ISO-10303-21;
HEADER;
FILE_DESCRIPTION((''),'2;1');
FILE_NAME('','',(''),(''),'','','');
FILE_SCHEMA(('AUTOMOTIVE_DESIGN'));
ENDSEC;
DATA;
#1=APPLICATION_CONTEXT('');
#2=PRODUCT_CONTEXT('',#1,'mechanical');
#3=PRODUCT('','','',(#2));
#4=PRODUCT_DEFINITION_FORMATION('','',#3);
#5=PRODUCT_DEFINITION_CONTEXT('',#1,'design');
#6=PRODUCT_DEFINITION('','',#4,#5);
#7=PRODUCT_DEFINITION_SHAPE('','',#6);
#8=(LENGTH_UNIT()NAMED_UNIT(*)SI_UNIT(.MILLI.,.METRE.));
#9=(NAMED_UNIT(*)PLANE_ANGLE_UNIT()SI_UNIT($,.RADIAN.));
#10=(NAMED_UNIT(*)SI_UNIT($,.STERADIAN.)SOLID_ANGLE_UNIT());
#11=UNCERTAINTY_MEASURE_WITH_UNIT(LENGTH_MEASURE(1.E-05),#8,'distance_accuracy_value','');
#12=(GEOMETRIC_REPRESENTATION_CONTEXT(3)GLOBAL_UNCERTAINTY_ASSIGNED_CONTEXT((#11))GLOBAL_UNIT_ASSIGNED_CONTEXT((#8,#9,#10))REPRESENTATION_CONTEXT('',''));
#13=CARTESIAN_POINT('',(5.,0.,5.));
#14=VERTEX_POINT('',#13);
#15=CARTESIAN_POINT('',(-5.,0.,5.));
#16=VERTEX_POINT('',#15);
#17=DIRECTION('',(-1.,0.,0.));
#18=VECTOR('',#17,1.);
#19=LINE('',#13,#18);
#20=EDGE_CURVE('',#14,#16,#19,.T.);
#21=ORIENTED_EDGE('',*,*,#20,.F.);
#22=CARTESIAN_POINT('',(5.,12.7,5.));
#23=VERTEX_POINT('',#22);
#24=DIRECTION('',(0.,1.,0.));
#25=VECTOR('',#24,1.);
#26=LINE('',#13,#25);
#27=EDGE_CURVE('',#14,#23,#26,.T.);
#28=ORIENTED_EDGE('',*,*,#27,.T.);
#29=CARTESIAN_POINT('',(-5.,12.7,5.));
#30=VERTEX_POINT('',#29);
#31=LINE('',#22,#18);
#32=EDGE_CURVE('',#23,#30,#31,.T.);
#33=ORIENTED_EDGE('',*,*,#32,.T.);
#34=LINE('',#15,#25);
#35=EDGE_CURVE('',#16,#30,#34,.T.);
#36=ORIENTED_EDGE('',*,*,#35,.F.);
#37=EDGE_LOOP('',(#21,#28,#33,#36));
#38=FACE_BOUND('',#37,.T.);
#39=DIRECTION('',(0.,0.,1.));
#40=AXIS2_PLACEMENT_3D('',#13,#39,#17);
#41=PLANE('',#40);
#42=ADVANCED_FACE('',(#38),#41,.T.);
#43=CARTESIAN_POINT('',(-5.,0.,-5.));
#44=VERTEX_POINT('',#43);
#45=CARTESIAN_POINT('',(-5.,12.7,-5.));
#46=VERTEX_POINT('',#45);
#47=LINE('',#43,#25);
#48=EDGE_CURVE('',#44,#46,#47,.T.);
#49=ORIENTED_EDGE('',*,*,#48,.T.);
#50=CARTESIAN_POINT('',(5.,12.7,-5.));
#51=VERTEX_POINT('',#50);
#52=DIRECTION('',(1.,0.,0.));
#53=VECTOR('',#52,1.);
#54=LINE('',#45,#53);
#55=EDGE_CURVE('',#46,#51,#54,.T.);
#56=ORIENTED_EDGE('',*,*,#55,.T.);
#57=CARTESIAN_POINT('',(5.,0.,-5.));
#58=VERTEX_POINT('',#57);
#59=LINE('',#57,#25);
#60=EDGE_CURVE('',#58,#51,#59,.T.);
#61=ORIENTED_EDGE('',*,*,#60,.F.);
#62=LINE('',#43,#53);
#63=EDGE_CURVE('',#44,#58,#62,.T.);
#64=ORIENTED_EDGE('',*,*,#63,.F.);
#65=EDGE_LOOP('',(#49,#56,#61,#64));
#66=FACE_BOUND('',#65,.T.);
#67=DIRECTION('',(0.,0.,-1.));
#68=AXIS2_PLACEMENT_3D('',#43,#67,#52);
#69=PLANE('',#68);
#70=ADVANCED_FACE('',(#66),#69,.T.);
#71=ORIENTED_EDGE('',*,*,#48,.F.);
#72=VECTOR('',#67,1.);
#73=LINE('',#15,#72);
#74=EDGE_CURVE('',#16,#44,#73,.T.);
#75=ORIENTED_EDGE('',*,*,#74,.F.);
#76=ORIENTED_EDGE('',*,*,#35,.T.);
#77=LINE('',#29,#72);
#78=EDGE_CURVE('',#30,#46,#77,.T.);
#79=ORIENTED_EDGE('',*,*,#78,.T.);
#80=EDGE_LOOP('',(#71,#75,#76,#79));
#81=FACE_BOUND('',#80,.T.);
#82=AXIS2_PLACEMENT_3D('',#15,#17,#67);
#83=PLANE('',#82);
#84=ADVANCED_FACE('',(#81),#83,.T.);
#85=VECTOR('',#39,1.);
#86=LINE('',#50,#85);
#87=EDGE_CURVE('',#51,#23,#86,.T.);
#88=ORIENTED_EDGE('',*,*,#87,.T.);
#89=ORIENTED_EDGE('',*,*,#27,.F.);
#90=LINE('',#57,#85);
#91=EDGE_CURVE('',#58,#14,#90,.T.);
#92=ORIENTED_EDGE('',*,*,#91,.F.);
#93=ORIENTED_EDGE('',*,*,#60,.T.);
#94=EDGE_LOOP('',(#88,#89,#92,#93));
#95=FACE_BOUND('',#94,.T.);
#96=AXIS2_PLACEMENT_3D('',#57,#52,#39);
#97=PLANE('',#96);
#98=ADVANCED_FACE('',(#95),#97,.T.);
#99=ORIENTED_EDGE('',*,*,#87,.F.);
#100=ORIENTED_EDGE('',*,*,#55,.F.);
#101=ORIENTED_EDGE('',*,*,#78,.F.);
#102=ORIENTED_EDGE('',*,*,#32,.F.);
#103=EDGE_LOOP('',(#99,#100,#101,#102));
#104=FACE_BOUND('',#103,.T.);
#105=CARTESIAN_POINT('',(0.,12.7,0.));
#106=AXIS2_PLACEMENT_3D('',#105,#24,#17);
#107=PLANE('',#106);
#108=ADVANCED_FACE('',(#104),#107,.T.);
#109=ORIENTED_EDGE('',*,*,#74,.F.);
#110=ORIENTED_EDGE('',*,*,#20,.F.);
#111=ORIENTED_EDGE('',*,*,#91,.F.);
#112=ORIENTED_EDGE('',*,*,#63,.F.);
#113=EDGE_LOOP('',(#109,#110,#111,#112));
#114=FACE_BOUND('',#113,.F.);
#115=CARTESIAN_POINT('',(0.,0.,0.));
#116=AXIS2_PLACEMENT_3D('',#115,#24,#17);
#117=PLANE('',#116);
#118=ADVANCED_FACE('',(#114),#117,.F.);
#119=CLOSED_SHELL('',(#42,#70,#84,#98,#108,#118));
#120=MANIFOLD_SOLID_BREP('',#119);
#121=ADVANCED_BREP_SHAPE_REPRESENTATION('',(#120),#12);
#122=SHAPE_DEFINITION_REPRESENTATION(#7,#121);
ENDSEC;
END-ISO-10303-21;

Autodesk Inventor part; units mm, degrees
ref_plane "YZ Plane" through (0, 0, 0) normal (1, 0, 0) x (0, 1, 0)
ref_plane "XZ Plane" through (0, 0, 0) normal (0, 1, 0) x (-1, 0, 0)
ref_plane "XY Plane" through (0, 0, 0) normal (0, 0, 1) x (1, 0, 0)
sketch "Sketch1" plane through (0, 0, 0) normal (0, 1, 0) x (-1, 0, 0)
  line L0 (-5, 5) -> (5, 5)
  line L1 (5, 5) -> (5, -5)
  line L2 (5, -5) -> (-5, -5)
  line L3 (-5, -5) -> (-5, 5)
  line L4 (-5, 5) -> (5, -5) construction
  line L5 (5, 5) -> (-5, -5) construction
  point P0 (0, 0)
  dimension "d0" = 10
  dimension "d1" = 10
extrude "Extrusion1" add sketch "Sketch1" along normal blind 12.7
properties part number "GlassSpacer" material "Glass"
